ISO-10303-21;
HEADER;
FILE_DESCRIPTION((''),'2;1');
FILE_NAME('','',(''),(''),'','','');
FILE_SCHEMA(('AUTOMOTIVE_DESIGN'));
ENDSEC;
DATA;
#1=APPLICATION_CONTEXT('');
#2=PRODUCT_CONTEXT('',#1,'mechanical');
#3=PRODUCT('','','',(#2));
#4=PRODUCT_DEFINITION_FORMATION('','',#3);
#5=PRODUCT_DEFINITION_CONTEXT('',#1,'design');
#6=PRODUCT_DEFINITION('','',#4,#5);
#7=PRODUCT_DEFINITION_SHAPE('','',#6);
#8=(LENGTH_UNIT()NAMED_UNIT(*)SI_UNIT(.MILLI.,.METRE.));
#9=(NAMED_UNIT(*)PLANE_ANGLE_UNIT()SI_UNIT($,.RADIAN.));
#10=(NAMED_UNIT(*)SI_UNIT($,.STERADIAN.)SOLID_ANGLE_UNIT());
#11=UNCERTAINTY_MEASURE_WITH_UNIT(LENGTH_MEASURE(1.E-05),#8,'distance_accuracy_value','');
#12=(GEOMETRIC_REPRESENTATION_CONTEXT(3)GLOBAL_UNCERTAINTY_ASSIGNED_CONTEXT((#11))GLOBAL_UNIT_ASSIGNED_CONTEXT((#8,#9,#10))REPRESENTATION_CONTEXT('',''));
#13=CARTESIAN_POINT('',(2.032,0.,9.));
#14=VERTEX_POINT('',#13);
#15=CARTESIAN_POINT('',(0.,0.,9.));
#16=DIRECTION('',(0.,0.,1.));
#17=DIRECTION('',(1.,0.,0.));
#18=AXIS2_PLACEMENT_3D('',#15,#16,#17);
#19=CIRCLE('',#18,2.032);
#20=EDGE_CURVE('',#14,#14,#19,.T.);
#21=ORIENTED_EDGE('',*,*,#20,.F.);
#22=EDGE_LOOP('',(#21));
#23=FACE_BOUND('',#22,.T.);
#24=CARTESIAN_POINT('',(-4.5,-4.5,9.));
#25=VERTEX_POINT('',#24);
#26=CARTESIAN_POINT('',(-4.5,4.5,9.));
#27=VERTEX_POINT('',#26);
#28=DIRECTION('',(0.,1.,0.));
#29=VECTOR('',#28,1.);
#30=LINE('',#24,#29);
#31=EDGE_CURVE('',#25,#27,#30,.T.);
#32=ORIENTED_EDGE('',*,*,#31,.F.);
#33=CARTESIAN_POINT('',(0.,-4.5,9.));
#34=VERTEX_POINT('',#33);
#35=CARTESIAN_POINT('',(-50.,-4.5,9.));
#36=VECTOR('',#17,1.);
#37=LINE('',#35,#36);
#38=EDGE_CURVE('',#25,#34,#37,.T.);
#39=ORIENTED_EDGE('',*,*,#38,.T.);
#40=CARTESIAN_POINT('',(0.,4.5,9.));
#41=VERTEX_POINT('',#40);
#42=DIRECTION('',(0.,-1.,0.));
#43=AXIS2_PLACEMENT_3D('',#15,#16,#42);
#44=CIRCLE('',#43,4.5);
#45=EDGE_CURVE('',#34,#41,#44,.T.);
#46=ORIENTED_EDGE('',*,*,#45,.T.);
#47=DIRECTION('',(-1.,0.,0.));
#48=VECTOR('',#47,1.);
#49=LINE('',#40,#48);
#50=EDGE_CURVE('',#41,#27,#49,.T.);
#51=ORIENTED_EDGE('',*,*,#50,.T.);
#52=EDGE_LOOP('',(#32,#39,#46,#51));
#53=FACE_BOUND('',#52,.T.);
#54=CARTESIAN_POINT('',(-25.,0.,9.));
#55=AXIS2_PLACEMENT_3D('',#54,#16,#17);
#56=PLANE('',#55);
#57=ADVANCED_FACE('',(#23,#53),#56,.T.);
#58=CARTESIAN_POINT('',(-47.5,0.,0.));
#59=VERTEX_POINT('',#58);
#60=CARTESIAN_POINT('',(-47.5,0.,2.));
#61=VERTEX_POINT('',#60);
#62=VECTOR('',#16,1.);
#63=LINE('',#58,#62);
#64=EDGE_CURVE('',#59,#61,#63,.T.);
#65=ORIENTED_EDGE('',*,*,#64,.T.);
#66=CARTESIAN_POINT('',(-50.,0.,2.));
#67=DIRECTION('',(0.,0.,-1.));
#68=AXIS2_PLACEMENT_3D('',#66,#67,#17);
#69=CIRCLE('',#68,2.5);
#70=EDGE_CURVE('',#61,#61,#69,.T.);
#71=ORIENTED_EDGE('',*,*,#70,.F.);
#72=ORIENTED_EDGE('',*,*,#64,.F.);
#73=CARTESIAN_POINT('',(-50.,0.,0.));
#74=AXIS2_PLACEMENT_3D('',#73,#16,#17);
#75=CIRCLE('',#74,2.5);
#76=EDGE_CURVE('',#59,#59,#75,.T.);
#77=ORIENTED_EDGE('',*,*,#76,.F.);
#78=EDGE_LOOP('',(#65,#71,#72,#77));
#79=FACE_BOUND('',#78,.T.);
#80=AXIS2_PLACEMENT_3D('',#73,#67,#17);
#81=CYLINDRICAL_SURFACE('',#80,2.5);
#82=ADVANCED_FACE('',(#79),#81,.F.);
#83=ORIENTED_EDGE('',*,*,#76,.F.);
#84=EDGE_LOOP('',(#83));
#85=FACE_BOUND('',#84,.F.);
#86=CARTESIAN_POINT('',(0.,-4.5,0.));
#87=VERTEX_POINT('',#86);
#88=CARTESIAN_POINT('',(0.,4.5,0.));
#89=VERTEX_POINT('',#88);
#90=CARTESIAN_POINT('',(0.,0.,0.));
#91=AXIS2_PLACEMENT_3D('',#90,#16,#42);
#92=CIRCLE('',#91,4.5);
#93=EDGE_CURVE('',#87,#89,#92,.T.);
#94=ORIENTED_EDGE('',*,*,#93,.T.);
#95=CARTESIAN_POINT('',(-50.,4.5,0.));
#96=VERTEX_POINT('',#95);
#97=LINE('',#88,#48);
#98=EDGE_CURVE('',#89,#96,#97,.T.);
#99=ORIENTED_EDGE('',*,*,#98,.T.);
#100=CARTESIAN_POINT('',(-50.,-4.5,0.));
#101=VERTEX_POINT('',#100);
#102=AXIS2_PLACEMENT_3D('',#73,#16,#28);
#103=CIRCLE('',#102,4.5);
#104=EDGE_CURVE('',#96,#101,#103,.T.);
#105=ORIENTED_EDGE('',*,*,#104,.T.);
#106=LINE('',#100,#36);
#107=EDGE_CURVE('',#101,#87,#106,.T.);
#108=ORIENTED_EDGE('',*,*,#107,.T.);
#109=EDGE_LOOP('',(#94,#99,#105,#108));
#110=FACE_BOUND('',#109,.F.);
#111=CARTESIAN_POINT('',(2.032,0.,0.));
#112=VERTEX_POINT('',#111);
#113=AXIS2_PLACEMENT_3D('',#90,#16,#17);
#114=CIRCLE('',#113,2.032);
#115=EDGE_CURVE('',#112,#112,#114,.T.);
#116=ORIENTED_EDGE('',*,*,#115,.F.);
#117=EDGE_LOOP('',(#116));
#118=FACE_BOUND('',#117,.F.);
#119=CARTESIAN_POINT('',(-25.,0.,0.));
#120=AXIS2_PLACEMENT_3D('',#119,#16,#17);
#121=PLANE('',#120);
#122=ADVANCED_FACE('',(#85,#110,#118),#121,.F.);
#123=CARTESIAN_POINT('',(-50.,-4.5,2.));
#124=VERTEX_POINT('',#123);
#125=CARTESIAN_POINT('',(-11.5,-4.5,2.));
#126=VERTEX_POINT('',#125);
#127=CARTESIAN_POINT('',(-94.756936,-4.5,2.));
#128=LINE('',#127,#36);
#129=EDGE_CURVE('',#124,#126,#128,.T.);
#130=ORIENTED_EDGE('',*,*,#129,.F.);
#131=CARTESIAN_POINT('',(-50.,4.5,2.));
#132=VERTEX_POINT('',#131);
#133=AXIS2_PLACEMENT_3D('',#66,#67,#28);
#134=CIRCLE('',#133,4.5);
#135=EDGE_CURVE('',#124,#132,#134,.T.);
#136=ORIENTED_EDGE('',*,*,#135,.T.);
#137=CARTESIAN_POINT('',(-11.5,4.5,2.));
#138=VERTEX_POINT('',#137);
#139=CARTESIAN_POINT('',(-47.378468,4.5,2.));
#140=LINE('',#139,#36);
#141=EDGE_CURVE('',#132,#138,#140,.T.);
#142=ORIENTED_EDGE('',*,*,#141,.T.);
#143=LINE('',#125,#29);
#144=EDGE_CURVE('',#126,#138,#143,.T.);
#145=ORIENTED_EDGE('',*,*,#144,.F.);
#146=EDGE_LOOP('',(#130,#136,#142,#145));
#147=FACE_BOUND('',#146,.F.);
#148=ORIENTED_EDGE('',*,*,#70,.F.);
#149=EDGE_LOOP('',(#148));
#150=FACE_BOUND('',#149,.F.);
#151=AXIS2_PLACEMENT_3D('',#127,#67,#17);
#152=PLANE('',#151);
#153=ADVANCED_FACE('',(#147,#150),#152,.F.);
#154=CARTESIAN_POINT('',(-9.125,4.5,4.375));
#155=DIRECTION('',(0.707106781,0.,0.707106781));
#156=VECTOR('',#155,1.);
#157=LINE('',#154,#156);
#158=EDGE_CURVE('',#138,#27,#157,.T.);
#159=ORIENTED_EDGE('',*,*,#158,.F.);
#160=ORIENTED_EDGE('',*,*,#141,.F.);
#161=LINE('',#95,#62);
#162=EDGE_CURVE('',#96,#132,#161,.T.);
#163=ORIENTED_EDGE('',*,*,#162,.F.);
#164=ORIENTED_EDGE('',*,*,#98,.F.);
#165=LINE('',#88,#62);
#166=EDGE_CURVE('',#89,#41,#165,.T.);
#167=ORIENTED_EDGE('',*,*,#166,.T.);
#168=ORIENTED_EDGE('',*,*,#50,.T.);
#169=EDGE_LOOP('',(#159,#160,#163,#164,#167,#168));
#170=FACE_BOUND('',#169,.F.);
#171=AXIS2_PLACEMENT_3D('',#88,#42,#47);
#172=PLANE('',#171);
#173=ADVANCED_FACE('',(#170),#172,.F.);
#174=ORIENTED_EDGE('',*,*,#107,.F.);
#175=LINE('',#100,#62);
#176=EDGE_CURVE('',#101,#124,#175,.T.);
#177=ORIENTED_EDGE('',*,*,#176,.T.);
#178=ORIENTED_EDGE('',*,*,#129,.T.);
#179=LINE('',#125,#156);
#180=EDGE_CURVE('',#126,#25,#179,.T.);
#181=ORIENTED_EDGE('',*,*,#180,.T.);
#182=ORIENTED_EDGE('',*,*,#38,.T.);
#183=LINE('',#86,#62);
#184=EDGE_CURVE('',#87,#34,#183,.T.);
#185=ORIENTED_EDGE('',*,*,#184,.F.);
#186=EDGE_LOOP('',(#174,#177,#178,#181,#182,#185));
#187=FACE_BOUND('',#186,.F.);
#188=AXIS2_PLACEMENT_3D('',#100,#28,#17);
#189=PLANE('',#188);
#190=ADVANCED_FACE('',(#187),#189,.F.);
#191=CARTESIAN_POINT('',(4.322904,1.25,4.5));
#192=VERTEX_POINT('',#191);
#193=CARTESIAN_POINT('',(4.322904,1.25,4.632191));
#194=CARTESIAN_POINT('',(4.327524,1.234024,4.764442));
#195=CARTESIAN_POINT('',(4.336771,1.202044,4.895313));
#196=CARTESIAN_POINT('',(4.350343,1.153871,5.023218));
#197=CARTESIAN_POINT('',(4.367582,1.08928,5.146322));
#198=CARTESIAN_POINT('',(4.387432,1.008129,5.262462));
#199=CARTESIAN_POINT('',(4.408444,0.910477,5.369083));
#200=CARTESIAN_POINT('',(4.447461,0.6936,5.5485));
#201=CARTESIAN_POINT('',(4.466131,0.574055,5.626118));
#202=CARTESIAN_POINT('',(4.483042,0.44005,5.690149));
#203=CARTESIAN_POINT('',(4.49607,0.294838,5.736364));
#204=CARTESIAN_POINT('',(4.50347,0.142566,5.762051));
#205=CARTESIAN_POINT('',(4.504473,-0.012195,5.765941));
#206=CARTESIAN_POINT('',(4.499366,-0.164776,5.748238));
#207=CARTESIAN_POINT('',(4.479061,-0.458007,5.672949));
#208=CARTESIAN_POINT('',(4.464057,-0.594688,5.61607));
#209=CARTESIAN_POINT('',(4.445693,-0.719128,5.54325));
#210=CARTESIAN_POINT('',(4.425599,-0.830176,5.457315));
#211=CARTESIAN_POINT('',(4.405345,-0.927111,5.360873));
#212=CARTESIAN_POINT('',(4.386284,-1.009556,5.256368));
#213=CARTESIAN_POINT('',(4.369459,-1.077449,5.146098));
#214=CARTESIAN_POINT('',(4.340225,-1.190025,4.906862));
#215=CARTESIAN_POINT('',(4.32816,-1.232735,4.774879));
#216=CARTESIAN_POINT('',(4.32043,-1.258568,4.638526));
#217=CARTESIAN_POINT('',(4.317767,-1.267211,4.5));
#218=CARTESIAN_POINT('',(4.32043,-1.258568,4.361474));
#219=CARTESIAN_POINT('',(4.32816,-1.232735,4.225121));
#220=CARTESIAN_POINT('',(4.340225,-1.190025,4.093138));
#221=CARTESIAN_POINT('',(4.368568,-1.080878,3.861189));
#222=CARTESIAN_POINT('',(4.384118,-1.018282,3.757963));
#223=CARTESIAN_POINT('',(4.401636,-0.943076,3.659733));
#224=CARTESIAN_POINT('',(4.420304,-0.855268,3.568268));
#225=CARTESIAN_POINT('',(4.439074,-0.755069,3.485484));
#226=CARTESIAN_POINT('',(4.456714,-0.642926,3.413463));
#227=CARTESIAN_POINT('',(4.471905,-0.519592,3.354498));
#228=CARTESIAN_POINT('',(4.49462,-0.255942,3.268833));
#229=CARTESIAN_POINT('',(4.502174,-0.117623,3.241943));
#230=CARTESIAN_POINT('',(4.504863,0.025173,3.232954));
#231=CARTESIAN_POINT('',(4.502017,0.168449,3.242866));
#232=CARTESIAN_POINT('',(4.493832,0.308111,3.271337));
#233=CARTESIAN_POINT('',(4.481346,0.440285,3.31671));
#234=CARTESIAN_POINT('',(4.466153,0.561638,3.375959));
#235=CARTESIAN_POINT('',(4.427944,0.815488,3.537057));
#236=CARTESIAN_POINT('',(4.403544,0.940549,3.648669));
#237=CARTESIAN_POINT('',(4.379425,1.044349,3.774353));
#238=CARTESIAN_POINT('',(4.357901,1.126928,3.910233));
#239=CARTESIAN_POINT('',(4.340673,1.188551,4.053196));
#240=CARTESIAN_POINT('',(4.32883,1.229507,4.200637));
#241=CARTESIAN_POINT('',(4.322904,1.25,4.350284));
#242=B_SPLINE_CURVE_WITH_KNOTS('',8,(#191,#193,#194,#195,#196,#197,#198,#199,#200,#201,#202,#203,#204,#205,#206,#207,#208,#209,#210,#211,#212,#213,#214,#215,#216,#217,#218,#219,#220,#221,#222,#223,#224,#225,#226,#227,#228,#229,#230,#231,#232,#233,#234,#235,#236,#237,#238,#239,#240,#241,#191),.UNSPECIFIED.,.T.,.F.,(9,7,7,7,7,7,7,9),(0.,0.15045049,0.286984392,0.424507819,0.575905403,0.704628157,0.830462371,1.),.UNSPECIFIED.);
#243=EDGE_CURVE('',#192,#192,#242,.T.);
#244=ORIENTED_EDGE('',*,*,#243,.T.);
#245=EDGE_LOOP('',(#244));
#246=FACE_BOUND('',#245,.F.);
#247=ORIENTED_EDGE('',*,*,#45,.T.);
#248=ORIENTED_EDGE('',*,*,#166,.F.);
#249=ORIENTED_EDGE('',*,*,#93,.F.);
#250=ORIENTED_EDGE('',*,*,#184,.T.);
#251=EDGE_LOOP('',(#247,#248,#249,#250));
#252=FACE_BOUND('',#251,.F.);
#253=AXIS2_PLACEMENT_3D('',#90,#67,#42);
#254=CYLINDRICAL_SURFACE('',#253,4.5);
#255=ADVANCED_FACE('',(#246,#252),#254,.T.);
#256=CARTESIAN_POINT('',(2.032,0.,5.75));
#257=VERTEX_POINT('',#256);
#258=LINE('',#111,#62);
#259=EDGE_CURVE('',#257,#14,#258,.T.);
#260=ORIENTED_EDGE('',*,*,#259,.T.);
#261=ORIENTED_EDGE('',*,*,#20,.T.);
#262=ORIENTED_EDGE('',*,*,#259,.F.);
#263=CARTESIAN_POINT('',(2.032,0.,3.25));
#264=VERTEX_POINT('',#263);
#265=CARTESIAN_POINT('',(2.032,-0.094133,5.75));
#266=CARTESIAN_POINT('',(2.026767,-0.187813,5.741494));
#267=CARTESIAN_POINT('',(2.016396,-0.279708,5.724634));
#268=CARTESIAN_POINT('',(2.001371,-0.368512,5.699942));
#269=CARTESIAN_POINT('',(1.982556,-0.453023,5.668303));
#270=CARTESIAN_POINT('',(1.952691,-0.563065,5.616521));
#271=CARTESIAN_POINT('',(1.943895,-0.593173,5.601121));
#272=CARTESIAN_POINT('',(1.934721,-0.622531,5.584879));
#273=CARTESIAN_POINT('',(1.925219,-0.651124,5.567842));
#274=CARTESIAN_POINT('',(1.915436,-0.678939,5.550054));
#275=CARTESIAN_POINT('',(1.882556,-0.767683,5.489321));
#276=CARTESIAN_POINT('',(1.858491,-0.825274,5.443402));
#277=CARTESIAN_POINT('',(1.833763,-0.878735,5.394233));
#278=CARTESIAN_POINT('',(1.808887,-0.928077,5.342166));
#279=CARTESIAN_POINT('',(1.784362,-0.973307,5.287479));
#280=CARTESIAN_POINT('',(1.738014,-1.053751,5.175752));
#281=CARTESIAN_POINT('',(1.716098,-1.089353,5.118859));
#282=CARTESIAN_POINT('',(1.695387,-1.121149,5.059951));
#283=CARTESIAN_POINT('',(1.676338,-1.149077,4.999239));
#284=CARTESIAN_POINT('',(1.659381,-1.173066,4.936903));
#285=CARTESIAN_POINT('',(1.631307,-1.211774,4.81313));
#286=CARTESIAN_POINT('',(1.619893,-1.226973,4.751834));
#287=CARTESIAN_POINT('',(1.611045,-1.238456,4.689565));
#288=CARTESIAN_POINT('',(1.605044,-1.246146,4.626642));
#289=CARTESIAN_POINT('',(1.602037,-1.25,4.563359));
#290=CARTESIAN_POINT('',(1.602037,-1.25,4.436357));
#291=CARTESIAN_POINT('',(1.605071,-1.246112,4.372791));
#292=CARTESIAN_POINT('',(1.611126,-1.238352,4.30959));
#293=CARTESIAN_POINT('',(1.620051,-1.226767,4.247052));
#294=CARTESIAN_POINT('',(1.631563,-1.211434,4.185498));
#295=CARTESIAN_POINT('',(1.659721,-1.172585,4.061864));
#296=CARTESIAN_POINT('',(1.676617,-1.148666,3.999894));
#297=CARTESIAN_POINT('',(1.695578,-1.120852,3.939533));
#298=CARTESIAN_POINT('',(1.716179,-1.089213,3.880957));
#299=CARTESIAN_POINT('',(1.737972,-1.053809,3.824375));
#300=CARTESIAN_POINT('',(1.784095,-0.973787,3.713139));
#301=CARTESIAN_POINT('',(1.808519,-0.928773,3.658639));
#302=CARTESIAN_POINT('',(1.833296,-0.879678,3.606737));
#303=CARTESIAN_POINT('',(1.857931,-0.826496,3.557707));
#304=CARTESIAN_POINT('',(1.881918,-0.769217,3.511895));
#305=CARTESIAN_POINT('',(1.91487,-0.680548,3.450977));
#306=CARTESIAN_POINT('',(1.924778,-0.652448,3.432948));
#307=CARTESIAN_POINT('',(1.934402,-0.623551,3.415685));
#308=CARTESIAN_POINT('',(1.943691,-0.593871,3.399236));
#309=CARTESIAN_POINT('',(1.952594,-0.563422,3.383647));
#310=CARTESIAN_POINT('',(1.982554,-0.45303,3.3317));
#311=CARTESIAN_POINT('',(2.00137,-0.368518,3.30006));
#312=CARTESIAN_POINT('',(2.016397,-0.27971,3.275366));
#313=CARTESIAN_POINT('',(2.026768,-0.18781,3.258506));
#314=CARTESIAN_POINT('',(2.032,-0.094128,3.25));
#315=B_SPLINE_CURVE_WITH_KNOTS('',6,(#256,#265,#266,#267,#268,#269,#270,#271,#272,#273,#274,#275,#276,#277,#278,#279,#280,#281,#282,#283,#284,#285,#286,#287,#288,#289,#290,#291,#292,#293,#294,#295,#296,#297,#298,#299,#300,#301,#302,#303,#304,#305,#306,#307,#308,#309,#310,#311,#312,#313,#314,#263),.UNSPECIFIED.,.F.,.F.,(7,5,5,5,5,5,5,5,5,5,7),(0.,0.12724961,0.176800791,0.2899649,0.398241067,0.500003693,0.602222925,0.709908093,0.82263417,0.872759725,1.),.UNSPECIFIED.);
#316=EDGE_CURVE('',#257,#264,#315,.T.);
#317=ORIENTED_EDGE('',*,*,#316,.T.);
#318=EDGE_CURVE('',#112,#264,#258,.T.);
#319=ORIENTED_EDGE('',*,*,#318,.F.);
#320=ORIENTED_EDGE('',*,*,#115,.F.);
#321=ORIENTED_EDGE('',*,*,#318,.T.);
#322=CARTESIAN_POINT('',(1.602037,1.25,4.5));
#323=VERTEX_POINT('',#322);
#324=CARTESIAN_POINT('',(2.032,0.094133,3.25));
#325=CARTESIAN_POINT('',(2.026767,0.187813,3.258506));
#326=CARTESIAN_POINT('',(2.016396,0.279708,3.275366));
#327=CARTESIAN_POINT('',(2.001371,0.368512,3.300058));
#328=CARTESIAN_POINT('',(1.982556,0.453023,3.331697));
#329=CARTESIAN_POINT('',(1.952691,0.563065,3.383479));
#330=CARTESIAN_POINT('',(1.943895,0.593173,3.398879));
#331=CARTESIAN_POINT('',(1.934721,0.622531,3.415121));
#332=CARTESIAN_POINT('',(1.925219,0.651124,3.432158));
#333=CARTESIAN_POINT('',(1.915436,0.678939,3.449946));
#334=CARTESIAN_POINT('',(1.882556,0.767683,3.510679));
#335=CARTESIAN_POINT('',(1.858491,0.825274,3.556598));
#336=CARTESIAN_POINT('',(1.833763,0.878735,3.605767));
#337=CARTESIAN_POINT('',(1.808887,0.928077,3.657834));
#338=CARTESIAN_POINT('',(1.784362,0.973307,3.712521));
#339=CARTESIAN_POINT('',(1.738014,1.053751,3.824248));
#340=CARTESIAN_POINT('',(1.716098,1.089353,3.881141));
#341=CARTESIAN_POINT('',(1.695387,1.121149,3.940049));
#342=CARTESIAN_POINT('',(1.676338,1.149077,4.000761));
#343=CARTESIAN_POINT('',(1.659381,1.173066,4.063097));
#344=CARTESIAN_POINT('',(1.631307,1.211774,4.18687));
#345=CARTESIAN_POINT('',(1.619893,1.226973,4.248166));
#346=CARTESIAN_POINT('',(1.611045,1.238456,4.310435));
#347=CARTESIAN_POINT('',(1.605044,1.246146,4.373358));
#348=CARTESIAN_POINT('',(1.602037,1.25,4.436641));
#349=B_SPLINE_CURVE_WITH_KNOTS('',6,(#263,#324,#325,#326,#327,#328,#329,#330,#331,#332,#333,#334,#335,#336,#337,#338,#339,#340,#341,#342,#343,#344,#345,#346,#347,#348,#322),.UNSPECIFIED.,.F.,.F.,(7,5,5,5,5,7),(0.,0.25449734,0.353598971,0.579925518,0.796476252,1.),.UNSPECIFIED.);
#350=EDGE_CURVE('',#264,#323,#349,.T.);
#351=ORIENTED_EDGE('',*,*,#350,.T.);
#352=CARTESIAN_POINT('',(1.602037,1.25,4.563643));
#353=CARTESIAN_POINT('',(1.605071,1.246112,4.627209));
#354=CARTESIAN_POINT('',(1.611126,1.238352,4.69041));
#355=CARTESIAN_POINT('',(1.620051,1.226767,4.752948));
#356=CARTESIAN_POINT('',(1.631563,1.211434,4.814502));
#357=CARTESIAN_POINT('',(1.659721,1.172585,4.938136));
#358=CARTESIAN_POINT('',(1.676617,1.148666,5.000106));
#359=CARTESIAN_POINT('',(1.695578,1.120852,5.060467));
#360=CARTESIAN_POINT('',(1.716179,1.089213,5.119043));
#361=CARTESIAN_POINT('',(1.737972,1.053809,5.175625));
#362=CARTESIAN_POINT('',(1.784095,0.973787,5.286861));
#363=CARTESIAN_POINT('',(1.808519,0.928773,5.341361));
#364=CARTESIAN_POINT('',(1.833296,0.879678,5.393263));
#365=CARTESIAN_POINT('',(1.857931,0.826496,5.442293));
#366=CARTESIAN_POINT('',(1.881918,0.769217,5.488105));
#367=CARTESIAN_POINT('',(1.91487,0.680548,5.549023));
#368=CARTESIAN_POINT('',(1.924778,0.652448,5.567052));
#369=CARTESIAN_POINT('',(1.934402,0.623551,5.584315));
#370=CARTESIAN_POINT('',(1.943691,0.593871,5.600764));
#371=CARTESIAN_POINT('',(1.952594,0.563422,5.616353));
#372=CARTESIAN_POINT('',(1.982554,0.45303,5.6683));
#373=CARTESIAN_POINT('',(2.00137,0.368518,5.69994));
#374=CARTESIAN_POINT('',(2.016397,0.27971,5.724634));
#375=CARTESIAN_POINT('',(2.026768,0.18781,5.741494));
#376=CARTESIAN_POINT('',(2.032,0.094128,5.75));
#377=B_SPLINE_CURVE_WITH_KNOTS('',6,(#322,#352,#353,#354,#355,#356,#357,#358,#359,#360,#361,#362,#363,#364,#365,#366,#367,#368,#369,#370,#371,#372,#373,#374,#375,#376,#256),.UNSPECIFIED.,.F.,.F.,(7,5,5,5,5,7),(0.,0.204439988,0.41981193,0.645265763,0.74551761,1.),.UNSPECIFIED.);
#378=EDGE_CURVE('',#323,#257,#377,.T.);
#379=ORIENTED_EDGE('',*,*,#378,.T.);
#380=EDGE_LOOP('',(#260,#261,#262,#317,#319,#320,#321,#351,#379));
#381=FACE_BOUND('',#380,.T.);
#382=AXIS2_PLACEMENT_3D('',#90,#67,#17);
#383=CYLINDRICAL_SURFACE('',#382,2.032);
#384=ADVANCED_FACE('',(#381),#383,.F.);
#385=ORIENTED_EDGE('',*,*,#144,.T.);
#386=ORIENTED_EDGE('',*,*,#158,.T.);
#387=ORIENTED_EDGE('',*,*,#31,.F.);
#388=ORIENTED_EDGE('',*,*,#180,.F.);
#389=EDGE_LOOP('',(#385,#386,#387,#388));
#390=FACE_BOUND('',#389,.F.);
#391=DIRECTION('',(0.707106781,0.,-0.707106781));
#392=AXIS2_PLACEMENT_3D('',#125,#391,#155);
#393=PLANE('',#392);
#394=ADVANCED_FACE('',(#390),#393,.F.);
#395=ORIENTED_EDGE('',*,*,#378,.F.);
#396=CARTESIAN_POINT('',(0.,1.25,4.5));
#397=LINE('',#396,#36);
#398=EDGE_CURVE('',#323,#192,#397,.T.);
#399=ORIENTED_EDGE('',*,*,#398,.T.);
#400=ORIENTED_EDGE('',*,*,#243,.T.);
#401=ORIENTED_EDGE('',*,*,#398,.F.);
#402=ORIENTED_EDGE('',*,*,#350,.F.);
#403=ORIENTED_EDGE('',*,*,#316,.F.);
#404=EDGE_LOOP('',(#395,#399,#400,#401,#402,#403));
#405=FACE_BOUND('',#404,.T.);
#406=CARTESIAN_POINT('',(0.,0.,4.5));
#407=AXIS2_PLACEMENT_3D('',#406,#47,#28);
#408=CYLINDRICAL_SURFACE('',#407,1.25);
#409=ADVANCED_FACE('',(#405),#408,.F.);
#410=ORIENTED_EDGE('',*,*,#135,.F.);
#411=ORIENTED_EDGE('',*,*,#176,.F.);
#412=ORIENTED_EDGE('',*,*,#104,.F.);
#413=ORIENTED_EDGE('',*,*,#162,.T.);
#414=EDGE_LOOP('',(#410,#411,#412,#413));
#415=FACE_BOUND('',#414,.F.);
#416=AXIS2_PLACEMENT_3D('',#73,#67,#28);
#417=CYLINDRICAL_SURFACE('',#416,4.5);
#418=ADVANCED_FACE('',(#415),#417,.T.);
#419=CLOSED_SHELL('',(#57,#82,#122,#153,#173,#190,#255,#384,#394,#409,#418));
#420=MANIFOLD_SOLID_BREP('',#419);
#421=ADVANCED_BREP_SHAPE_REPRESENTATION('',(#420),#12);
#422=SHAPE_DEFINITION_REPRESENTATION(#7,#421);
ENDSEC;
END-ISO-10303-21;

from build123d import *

# Parameters (mm, degrees)
F0_R     = 2.5
F0_R_2   = 2.032
F1_DEPTH = 9
F3_DEPTH = 9.001
F4_R     = 1.25
F5_DEPTH = 4.501


with BuildPart() as f1:
    # F0 (on Top) → F1 (new body)
    with BuildSketch(Plane.XY):
        with BuildLine():
            Line((0, 4.5), (-50, 4.5))
            ThreePointArc((-50, 4.5), (-54.5, 0), (-50, -4.5))
            Line((-50, -4.5), (0, -4.5))
            ThreePointArc((0, -4.5), (4.5, 0), (0, 4.5))
        make_face()
        with Locations((-50, 0)):
            Circle(F0_R, mode=Mode.SUBTRACT)
        Circle(F0_R_2, mode=Mode.SUBTRACT)
    extrude(amount=F1_DEPTH)

    # F2 (on face) → F3 (cut, through all)
    with BuildSketch(Plane.XZ.offset(4.5)):
        Polygon((-98.52826, 9), (-94.756936, 2), (-11.5, 2), (-4.5, 9), align=None)
    extrude(amount=-F3_DEPTH, mode=Mode.SUBTRACT)

    # F4 (on Right) → F5 (cut, through all)
    with BuildSketch(Plane.YZ):
        with Locations((0, 4.5)):
            Circle(F4_R)
    extrude(amount=F5_DEPTH, mode=Mode.SUBTRACT)


solid = f1.part
